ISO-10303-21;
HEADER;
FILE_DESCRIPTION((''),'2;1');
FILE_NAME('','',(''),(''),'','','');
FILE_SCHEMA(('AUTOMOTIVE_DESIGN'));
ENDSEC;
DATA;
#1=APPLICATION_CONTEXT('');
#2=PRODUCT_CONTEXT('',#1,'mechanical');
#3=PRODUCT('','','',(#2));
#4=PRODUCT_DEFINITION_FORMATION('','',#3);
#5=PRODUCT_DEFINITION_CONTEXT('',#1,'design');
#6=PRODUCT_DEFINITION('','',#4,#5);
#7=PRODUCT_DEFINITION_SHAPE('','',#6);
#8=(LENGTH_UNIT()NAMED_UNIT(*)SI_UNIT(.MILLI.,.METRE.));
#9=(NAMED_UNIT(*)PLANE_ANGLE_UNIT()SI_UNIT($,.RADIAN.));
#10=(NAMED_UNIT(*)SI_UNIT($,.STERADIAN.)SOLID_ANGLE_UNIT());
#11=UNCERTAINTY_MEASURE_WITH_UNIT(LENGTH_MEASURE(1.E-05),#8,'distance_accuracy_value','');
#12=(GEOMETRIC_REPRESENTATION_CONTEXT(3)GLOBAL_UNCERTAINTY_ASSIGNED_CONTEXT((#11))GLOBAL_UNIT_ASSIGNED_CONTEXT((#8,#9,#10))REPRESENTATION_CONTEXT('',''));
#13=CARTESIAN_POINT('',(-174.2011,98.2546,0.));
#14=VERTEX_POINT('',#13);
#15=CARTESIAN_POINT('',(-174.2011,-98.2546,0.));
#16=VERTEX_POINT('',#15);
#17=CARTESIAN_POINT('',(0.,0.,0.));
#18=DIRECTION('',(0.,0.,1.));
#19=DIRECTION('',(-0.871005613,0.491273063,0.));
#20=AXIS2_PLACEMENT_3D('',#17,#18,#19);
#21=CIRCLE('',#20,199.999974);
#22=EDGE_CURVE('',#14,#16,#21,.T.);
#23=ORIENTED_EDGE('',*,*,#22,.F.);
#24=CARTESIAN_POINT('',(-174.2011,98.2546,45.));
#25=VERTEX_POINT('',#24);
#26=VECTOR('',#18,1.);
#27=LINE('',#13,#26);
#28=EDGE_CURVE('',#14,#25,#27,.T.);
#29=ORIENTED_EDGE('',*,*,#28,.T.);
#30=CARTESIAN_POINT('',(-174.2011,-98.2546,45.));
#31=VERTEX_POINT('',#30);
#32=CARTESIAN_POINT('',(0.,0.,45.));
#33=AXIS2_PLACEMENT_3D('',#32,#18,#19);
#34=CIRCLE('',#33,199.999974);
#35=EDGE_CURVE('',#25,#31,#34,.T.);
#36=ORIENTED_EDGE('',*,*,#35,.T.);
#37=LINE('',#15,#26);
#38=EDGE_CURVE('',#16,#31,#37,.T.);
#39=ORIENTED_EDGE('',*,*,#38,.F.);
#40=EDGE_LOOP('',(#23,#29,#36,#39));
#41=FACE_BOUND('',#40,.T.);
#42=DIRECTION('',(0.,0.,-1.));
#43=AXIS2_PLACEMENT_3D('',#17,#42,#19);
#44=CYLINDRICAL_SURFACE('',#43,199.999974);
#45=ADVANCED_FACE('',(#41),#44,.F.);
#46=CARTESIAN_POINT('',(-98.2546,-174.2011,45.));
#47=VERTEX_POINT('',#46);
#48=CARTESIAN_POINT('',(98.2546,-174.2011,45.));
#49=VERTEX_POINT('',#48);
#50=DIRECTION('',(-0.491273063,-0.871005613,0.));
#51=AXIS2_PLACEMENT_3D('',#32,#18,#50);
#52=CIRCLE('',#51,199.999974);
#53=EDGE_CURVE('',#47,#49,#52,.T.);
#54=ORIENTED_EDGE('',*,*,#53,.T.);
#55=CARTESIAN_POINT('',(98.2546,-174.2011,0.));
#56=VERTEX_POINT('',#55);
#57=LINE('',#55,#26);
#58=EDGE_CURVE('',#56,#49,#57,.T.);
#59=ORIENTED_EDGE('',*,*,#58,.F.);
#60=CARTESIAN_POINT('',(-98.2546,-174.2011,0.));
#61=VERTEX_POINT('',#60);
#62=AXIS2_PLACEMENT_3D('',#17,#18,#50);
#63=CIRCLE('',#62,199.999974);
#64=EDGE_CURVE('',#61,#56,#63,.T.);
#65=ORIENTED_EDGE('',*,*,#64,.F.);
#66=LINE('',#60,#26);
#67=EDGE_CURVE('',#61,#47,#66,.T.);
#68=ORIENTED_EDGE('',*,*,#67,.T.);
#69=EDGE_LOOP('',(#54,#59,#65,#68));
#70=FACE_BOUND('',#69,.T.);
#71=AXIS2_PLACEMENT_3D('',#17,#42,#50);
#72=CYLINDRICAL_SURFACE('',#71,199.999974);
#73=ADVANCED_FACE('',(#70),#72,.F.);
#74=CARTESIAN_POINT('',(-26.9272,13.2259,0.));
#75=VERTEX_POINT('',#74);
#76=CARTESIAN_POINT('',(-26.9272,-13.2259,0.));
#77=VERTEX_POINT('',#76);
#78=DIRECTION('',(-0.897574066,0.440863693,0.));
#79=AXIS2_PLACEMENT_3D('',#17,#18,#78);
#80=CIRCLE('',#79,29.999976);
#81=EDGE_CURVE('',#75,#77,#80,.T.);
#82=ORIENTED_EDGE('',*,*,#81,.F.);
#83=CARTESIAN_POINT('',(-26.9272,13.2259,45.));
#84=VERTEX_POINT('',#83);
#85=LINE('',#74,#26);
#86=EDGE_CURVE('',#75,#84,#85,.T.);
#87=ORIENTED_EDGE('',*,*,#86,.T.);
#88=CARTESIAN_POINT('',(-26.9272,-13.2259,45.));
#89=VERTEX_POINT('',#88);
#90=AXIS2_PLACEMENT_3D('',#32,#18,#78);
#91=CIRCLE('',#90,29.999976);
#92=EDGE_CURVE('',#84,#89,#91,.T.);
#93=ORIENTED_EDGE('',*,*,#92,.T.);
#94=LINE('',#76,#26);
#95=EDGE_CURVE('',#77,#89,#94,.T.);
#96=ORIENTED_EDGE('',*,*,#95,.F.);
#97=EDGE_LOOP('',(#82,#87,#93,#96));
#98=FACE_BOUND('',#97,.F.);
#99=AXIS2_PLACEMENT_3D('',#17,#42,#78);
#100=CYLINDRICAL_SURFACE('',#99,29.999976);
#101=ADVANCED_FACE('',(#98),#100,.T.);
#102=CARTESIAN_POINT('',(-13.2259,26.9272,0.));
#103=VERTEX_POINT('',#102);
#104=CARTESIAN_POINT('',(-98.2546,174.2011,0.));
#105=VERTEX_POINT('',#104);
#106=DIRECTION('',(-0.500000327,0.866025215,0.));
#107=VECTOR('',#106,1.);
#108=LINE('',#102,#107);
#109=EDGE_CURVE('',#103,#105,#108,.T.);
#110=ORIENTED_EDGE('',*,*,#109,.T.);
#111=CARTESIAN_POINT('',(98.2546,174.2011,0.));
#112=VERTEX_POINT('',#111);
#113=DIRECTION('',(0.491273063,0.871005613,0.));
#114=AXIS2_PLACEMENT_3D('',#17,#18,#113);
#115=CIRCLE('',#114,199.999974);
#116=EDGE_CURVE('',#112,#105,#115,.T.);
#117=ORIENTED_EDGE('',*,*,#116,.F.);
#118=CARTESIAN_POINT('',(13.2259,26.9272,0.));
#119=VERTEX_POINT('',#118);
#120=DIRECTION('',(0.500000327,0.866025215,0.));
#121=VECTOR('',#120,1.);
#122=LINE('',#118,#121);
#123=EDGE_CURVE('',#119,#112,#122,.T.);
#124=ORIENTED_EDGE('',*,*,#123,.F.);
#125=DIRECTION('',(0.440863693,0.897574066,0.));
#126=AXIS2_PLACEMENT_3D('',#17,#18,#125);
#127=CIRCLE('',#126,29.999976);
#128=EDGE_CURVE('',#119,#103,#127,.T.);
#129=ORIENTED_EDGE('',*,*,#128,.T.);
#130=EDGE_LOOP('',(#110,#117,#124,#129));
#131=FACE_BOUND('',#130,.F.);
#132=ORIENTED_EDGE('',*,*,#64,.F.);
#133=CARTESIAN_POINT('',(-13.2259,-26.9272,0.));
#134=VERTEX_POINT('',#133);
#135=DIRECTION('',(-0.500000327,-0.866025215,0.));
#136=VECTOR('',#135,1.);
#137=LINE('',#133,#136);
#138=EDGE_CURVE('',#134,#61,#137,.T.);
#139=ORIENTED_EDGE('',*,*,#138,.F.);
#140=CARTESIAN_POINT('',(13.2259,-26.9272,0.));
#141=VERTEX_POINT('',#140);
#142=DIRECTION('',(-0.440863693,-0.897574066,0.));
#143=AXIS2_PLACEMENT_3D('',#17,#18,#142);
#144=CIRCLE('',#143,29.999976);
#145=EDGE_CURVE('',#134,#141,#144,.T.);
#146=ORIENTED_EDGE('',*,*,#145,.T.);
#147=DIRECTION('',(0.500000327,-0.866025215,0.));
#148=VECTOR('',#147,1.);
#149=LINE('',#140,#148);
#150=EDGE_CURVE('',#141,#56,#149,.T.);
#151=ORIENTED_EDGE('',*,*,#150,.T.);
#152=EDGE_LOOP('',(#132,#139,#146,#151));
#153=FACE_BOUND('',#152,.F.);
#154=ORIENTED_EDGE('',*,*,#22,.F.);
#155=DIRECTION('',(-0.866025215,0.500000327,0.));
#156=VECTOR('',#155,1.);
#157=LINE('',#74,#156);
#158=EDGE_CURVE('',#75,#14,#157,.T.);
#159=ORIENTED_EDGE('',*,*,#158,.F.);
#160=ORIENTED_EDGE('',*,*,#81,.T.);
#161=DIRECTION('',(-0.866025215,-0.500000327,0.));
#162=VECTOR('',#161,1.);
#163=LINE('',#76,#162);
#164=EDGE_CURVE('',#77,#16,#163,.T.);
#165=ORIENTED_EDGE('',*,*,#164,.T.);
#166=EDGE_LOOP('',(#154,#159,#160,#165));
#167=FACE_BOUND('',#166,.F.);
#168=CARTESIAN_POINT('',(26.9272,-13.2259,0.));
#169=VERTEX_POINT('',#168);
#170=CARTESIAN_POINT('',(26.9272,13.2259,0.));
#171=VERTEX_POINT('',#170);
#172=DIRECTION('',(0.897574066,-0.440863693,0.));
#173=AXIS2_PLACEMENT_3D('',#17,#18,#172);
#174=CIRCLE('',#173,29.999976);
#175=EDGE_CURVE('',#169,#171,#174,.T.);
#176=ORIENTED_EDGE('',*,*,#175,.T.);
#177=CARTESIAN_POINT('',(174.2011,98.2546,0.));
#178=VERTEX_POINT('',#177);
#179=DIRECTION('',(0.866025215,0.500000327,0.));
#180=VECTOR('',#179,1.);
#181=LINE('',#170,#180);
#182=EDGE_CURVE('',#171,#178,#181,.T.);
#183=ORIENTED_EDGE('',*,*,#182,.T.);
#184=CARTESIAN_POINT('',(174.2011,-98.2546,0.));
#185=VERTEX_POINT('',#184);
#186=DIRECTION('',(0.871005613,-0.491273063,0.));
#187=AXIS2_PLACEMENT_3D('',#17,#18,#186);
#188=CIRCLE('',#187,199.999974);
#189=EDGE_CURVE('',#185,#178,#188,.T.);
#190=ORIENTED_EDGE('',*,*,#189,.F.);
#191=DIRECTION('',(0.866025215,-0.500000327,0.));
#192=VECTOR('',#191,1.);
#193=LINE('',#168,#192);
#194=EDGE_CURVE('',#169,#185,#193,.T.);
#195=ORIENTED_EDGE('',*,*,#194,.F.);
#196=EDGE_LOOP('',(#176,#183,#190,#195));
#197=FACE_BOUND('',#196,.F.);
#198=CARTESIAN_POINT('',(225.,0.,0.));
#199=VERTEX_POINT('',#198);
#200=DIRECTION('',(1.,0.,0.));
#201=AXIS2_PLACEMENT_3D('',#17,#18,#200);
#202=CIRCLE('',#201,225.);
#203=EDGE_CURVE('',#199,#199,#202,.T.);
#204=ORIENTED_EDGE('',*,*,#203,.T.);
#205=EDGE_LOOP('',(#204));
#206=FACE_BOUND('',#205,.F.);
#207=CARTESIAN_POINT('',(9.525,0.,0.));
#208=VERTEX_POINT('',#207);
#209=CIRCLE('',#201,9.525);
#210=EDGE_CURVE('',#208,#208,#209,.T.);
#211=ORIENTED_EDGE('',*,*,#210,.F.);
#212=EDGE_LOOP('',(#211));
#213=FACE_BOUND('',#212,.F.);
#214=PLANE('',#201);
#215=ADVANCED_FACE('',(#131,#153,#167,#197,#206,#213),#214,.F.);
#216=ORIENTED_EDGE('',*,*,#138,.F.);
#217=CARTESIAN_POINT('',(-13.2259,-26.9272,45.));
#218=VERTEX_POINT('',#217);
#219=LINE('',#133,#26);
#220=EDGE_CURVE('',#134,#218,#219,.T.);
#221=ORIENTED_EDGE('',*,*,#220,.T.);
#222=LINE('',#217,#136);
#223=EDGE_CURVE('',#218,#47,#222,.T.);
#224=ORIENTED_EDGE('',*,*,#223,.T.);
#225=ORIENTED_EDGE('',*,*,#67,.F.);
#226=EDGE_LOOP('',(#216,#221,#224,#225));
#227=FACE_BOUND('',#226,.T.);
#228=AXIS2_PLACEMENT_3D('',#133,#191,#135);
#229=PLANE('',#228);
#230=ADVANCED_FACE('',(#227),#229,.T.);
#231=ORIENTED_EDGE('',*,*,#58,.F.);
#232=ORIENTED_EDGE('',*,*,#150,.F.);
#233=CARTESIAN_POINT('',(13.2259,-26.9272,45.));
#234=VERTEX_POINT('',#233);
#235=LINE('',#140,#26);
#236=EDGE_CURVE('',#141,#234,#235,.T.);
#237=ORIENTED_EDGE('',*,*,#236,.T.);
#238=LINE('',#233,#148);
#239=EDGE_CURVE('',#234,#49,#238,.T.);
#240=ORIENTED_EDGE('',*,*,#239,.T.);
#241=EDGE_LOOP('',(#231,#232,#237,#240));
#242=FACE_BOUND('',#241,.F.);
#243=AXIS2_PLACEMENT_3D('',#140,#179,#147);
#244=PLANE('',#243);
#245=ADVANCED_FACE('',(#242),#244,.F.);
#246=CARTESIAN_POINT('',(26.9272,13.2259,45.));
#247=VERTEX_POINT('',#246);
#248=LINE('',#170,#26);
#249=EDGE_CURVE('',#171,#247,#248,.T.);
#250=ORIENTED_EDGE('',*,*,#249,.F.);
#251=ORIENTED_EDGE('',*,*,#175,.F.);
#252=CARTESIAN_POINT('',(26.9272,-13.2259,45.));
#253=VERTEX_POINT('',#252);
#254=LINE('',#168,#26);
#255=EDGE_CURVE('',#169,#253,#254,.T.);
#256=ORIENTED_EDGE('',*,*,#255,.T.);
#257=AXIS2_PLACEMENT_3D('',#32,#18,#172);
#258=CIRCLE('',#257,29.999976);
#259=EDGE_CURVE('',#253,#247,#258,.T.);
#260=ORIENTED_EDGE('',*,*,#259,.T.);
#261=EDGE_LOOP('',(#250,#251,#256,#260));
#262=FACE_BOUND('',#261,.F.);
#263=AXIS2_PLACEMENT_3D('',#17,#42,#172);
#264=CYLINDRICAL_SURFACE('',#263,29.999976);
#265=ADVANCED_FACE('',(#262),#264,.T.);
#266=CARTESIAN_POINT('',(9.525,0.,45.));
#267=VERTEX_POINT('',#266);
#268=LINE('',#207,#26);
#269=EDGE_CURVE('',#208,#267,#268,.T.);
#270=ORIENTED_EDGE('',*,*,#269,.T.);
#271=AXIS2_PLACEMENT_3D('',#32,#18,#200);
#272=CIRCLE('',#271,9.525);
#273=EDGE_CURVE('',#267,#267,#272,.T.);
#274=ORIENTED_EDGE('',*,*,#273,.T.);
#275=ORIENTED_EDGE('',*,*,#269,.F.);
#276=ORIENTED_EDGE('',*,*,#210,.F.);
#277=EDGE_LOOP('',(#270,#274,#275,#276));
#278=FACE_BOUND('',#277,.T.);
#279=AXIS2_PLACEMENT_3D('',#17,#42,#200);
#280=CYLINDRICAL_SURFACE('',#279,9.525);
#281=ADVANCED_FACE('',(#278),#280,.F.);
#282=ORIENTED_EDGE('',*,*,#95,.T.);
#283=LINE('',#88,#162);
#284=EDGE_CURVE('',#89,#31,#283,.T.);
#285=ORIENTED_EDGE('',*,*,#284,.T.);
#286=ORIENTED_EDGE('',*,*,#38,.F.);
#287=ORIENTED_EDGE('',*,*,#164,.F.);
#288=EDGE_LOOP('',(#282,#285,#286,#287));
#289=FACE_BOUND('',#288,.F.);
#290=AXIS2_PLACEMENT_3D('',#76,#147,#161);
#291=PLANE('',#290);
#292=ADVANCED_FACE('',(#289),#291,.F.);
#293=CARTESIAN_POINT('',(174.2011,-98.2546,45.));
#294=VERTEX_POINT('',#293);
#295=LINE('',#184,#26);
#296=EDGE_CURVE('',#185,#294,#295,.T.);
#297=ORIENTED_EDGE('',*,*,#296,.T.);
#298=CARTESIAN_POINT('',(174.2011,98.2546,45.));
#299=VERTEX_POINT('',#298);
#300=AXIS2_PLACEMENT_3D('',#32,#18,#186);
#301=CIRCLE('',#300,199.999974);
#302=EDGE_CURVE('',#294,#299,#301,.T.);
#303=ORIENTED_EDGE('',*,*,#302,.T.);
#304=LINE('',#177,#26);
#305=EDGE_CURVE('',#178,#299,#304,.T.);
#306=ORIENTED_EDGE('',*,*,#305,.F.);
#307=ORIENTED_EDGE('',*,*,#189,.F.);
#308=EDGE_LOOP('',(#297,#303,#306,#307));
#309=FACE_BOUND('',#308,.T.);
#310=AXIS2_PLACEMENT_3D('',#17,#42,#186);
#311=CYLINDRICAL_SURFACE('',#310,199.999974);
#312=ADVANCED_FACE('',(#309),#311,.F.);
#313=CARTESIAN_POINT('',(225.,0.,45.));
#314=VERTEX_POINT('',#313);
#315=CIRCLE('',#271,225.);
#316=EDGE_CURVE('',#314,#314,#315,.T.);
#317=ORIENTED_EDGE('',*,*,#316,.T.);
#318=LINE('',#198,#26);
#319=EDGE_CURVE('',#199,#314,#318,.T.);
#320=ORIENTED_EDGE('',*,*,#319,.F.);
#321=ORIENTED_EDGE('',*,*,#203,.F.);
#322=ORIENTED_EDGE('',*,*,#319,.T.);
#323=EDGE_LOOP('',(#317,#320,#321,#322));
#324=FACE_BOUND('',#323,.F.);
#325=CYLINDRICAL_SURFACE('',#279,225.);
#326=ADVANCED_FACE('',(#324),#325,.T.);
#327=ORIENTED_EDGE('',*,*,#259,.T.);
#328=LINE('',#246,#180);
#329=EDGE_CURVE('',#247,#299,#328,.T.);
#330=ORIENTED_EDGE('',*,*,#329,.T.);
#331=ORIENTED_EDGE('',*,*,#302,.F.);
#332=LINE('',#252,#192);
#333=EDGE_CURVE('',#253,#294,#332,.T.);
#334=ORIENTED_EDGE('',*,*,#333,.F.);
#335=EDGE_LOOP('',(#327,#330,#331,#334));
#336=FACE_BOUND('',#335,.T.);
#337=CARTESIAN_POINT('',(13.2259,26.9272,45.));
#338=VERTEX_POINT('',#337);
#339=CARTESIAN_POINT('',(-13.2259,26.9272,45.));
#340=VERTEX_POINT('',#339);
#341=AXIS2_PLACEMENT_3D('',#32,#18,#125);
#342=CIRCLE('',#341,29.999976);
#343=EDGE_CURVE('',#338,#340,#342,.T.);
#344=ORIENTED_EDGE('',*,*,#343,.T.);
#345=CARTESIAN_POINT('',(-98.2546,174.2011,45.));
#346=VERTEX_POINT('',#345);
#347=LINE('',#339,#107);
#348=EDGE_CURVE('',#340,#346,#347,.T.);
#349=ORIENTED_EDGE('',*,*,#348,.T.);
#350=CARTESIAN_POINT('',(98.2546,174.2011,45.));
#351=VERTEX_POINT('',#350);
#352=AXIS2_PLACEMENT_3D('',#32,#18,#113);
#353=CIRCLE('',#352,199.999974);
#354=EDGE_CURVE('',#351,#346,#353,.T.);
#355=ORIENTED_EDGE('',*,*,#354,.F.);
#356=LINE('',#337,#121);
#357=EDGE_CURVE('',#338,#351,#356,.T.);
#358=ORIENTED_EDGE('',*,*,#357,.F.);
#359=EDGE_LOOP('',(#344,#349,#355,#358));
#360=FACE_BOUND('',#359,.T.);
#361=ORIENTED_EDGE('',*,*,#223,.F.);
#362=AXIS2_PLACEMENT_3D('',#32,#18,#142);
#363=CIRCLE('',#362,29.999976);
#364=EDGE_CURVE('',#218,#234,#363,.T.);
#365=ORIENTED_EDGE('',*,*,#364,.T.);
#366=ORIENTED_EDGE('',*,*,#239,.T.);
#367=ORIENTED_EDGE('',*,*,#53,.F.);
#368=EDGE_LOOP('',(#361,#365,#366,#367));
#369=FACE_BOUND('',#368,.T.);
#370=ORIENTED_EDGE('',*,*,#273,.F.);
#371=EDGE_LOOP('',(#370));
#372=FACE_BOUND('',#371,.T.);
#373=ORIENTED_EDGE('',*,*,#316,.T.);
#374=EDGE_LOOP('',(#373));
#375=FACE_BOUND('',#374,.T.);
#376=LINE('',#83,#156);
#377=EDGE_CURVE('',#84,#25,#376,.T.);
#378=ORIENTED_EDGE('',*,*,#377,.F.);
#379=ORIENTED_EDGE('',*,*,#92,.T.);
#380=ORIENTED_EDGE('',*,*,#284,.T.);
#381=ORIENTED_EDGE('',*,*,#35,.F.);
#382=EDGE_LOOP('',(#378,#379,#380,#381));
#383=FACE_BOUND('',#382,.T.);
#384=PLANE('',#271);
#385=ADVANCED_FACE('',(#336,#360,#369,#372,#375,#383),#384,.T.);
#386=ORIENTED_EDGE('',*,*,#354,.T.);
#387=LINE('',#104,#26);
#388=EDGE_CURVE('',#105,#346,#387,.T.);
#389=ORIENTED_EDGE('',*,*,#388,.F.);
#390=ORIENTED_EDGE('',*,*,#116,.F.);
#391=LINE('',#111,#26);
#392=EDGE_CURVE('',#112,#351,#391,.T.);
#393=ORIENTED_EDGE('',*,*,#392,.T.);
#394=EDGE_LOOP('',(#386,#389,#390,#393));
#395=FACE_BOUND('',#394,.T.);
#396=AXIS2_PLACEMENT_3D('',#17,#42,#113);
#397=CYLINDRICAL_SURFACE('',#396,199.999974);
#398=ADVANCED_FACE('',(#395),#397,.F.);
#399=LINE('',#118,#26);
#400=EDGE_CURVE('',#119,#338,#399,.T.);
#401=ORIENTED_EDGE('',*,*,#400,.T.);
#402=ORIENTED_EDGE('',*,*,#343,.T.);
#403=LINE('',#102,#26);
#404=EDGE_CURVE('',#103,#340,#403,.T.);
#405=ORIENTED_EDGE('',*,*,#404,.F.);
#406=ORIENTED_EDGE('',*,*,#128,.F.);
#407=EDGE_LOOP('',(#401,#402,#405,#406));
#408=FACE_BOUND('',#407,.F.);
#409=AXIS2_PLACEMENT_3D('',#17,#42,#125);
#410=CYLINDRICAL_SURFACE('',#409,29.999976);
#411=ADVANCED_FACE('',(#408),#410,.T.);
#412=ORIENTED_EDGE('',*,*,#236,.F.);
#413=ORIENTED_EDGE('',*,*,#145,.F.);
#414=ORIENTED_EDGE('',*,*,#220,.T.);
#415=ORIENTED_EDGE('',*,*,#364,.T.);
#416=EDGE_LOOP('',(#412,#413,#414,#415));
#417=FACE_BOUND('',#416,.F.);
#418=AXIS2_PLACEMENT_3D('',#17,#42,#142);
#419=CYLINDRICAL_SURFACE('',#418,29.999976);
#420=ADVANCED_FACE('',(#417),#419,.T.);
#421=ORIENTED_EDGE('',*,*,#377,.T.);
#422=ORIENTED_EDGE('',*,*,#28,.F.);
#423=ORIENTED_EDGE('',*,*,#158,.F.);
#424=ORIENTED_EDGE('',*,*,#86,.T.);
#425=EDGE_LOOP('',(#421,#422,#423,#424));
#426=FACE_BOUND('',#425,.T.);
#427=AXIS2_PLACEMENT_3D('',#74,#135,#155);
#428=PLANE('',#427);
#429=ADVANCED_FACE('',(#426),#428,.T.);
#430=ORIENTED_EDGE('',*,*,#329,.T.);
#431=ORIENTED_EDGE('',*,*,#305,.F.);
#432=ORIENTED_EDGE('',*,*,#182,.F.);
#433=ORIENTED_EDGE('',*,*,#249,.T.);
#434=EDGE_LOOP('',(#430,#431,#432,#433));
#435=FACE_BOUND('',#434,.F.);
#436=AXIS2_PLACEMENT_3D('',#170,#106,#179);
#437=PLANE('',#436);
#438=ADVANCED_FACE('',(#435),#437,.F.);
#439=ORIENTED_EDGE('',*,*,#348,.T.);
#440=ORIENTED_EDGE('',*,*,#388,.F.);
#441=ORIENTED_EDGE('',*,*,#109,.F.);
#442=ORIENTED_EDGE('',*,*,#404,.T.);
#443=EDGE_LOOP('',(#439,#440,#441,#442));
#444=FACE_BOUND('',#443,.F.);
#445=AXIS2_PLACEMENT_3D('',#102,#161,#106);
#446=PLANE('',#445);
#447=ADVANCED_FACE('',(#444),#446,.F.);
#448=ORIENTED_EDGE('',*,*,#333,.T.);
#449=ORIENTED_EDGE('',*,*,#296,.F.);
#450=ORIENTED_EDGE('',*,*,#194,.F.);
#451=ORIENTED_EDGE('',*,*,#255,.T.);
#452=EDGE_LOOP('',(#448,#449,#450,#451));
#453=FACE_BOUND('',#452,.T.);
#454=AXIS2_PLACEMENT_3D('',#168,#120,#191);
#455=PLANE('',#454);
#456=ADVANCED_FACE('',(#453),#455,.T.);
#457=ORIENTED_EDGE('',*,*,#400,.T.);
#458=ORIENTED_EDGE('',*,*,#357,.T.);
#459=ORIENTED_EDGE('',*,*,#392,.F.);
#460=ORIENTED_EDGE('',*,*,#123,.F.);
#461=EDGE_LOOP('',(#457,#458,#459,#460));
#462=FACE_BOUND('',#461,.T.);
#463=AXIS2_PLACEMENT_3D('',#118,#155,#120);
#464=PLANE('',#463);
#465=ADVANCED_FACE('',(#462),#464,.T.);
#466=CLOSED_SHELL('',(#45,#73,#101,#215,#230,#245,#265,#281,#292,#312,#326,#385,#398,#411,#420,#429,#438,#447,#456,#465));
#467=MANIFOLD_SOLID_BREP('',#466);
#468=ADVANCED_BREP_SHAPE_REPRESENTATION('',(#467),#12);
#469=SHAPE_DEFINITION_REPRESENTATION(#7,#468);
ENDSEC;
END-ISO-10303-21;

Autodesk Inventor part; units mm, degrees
ref_plane "YZ Plane" through (0, 0, 0) normal (1, 0, 0) x (0, 1, 0)
ref_plane "XZ Plane" through (0, 0, 0) normal (0, 1, 0) x (-1, 0, 0)
ref_plane "XY Plane" through (0, 0, 0) normal (0, 0, 1) x (1, 0, 0)
sketch "Boceto1" plane through (0, 0, 0) normal (0, 0, 1) x (1, 0, 0)
  circle A0 centre (0, 0) radius 9.525
  circle A1 centre (0, 0) radius 225
  arc A2 (26.9272, -13.2259) -> (26.9272, 13.2259) centre (0, 0) ccw
  arc A3 (174.2011, -98.2546) -> (174.2011, 98.2546) centre (0, 0) ccw
  line L0 (26.9272, 13.2259) -> (174.2011, 98.2546)
  line L1 (26.9272, -13.2259) -> (174.2011, -98.2546)
  line L2 (13.2259, -26.9272) -> (98.2546, -174.2011)
  arc A4 (-98.2546, -174.2011) -> (98.2546, -174.2011) centre (0, 0) ccw
  line L3 (-13.2259, -26.9272) -> (-98.2546, -174.2011)
  arc A5 (-13.2259, -26.9272) -> (13.2259, -26.9272) centre (0, 0) ccw
  line L4 (-26.9272, -13.2259) -> (-174.2011, -98.2546)
  arc A6 (-174.2011, 98.2546) -> (-174.2011, -98.2546) centre (0, 0) ccw
  line L5 (-26.9272, 13.2259) -> (-174.2011, 98.2546)
  arc A7 (-26.9272, 13.2259) -> (-26.9272, -13.2259) centre (0, 0) ccw
  line L6 (-13.2259, 26.9272) -> (-98.2546, 174.2011)
  arc A8 (98.2546, 174.2011) -> (-98.2546, 174.2011) centre (0, 0) ccw
  line L7 (13.2259, 26.9272) -> (98.2546, 174.2011)
  arc A9 (13.2259, 26.9272) -> (-13.2259, 26.9272) centre (0, 0) ccw
  dimension "d2" = 450
  dimension "d3" = 60
  dimension "d4" = 400
  dimension "d11" = 360
extrude "Extrusión1" add sketch "Boceto1" along normal blind 45
